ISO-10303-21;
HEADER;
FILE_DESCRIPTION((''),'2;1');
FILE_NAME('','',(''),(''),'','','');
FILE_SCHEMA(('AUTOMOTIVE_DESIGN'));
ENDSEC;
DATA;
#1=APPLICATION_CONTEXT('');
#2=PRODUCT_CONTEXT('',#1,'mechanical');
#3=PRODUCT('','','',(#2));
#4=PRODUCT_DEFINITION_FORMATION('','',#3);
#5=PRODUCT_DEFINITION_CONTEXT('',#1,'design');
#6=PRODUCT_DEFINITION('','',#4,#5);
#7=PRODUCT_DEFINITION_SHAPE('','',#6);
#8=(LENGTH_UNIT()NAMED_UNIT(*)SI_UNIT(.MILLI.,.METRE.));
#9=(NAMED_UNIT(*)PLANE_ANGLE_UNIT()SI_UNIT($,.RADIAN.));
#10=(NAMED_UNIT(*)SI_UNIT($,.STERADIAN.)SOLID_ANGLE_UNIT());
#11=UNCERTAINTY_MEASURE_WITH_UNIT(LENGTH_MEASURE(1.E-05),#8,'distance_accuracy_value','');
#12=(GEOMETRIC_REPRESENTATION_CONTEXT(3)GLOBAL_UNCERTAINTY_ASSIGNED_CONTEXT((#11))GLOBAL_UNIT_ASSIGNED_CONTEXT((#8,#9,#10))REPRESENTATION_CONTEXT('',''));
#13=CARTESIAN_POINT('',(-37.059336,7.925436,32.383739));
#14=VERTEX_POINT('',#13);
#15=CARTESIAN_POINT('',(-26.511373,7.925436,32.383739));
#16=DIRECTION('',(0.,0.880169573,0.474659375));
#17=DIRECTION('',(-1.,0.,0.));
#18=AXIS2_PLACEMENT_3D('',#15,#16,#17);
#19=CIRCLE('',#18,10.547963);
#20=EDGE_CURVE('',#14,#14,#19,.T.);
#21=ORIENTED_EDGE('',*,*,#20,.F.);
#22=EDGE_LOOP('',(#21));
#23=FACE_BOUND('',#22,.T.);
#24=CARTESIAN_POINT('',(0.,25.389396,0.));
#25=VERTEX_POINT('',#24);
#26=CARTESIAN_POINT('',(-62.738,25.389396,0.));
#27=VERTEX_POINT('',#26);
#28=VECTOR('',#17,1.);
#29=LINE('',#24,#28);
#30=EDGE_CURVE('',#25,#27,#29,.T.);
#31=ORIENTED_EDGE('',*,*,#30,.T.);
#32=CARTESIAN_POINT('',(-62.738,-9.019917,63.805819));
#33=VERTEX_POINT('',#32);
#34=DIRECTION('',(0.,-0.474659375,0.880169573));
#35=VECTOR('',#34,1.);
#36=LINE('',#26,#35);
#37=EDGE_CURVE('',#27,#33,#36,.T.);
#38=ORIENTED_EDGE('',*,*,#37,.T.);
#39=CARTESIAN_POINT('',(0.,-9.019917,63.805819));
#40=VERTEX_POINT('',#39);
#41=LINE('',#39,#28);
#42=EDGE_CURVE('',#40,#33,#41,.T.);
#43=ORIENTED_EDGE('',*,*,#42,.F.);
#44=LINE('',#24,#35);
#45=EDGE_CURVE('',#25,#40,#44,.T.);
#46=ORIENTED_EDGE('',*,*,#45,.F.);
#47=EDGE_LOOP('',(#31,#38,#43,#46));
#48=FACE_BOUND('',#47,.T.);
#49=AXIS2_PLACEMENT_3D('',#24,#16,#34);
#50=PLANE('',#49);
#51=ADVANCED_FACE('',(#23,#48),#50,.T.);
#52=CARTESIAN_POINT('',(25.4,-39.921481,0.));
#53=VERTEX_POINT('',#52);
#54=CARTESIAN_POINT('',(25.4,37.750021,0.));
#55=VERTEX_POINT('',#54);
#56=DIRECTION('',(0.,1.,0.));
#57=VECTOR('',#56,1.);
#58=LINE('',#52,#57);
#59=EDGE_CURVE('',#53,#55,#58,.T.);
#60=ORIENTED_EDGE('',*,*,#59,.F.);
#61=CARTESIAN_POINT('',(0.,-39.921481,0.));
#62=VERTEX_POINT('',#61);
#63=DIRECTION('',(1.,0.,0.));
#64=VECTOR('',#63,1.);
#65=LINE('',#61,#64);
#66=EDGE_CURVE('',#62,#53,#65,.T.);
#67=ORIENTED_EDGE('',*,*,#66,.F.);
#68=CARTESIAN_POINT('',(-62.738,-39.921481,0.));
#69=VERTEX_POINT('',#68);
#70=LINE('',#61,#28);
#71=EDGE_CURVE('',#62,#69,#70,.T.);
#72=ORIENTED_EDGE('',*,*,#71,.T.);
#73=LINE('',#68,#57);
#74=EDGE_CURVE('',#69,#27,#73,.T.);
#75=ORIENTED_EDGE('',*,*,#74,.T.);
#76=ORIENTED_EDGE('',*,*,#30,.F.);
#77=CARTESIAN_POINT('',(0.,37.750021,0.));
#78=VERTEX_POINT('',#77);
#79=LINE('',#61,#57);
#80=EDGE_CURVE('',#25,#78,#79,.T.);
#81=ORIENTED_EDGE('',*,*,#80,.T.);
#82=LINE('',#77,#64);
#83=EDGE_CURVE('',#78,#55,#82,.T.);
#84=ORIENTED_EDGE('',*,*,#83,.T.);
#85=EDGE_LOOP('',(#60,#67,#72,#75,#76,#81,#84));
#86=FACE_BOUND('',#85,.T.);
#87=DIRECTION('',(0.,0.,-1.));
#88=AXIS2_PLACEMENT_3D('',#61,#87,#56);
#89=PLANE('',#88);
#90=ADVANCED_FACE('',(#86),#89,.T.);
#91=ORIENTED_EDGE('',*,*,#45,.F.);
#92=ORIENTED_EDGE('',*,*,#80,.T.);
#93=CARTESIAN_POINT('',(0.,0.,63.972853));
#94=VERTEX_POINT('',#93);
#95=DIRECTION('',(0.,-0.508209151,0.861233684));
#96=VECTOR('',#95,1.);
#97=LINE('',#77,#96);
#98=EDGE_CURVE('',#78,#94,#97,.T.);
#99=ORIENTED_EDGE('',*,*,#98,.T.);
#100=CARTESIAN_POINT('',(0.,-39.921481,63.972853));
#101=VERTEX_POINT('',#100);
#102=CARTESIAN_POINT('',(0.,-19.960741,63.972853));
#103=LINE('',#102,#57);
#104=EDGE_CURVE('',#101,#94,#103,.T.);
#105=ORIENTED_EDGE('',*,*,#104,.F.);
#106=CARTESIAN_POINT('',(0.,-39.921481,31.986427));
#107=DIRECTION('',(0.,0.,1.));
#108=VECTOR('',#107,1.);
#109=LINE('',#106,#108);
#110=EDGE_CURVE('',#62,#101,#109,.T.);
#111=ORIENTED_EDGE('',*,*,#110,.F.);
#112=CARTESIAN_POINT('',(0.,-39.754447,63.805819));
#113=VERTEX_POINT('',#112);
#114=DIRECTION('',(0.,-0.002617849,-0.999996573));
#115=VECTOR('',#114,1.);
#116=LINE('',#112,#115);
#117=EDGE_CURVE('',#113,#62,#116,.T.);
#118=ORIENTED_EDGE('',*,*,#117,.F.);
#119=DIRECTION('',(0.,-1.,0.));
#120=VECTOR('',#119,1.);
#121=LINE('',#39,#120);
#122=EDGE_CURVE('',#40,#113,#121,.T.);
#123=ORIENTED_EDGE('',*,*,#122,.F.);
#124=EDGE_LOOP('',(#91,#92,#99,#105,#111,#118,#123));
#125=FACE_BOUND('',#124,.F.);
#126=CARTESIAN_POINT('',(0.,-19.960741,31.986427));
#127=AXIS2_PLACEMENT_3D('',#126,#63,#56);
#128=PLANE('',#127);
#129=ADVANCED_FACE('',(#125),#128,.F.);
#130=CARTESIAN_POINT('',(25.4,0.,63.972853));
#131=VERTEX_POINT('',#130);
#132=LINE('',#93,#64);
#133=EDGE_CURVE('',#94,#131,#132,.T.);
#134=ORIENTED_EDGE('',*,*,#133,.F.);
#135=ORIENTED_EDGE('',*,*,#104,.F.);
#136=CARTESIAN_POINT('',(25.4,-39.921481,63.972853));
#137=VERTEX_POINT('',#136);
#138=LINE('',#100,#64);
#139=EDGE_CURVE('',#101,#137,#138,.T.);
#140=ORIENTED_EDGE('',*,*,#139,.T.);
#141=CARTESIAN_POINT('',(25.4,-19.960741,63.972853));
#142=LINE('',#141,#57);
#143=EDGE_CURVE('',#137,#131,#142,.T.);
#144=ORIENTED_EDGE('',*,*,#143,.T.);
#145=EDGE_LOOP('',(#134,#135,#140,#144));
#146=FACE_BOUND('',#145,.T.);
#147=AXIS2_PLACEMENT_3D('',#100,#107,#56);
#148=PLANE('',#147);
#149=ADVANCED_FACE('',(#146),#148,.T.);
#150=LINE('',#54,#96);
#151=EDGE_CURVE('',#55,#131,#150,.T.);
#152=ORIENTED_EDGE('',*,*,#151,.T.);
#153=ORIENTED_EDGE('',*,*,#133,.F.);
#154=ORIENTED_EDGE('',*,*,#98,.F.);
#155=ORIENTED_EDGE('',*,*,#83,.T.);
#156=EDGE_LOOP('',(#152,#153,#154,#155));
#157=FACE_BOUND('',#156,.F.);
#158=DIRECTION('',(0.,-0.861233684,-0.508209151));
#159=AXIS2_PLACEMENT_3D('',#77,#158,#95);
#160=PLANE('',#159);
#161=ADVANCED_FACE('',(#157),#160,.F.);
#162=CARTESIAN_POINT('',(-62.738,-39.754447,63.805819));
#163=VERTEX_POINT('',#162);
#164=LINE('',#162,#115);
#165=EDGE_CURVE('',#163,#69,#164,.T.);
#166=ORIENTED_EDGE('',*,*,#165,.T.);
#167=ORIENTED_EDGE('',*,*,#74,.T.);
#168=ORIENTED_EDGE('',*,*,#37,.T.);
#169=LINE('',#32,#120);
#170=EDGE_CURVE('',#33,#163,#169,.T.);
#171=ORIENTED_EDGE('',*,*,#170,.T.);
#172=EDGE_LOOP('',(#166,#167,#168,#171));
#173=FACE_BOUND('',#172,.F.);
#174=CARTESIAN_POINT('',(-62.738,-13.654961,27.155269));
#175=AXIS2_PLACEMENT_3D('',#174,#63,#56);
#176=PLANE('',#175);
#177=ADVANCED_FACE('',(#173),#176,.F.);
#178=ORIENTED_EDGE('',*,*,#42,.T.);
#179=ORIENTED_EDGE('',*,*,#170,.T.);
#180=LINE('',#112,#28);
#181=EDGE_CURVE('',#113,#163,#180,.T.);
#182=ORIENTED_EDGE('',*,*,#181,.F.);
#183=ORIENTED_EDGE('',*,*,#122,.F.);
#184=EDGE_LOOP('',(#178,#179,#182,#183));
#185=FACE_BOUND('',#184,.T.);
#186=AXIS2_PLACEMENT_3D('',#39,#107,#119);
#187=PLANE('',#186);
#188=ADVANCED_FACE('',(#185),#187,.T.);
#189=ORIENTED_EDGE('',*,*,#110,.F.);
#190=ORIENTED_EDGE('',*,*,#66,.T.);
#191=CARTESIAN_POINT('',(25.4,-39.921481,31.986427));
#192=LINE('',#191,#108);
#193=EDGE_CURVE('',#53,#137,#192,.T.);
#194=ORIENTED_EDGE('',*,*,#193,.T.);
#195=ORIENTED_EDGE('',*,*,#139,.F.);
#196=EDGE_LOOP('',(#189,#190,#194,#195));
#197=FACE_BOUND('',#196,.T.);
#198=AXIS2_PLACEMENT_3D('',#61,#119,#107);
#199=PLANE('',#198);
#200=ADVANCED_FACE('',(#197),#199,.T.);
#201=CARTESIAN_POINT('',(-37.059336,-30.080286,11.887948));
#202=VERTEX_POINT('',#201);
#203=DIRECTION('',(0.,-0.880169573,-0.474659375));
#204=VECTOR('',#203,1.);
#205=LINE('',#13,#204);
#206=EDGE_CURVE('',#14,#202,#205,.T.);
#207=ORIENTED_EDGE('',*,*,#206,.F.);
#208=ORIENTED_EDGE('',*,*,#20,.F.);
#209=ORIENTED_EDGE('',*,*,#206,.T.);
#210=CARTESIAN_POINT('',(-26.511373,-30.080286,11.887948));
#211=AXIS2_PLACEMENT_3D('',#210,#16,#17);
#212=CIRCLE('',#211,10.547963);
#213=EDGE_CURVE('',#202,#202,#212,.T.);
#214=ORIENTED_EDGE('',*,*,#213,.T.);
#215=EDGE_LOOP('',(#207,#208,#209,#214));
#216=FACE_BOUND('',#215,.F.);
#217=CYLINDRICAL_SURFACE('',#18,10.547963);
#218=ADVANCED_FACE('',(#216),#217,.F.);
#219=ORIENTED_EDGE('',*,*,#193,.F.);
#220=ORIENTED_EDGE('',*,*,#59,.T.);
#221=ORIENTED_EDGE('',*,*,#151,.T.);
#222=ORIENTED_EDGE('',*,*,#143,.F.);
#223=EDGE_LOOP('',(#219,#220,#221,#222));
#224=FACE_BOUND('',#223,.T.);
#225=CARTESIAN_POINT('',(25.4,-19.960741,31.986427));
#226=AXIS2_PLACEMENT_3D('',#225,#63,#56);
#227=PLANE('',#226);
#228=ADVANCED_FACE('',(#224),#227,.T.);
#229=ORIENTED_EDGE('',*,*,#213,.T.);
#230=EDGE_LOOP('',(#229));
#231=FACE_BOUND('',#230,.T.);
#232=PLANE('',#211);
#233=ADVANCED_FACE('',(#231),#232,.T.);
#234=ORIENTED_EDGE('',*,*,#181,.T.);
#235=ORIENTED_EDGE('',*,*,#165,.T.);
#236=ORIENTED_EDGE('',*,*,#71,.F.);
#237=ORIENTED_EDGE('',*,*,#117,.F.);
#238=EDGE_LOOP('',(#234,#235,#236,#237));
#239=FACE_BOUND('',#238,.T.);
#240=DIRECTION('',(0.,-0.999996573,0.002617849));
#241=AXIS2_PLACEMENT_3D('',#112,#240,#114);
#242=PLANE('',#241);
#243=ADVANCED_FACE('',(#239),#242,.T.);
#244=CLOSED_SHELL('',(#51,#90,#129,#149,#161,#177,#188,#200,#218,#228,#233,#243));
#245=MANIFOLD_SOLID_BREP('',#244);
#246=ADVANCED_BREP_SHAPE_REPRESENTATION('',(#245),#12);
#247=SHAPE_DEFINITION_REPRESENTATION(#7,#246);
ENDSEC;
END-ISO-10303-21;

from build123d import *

# Parameters (mm, degrees)
F0_W     = 39.9214811623
F0_H     = 63.9728531241
F1_DEPTH = 25.4
F3_DEPTH = 62.738
F4_R     = 10.5479626422
F5_DEPTH = 43.18


with BuildPart() as f1:
    # F0 (on Right) → F1 (new body)
    with BuildSketch(Plane.YZ):
        with Locations((-19.9607405812, 31.9864265621)):
            Rectangle(F0_W, F0_H)
        Polygon((0, 63.9728531241), (0, 0), (37.7500206232, 0), align=None)
    extrude(amount=F1_DEPTH)

    # F2 (on Right) → F3 (join)
    with BuildSketch(Plane.YZ):
        Polygon((-39.7544465959, 63.8058185577), (-39.9214811623, 0), (25.3893956542, 0), (-9.0199168772, 63.8058185577), align=None)
    extrude(amount=-F3_DEPTH)

    # F4 (on face) → F5 (cut)
    with BuildSketch(Plane(origin=(0, 19.6691261726, 10.6072004872), x_dir=(-1, 0, 0), z_dir=(0, 0.8801695735, 0.4746593746))):
        with Locations((26.5113729984, 24.7412994504)):
            Circle(F4_R)
    extrude(amount=-F5_DEPTH, mode=Mode.SUBTRACT)


solid = f1.part
